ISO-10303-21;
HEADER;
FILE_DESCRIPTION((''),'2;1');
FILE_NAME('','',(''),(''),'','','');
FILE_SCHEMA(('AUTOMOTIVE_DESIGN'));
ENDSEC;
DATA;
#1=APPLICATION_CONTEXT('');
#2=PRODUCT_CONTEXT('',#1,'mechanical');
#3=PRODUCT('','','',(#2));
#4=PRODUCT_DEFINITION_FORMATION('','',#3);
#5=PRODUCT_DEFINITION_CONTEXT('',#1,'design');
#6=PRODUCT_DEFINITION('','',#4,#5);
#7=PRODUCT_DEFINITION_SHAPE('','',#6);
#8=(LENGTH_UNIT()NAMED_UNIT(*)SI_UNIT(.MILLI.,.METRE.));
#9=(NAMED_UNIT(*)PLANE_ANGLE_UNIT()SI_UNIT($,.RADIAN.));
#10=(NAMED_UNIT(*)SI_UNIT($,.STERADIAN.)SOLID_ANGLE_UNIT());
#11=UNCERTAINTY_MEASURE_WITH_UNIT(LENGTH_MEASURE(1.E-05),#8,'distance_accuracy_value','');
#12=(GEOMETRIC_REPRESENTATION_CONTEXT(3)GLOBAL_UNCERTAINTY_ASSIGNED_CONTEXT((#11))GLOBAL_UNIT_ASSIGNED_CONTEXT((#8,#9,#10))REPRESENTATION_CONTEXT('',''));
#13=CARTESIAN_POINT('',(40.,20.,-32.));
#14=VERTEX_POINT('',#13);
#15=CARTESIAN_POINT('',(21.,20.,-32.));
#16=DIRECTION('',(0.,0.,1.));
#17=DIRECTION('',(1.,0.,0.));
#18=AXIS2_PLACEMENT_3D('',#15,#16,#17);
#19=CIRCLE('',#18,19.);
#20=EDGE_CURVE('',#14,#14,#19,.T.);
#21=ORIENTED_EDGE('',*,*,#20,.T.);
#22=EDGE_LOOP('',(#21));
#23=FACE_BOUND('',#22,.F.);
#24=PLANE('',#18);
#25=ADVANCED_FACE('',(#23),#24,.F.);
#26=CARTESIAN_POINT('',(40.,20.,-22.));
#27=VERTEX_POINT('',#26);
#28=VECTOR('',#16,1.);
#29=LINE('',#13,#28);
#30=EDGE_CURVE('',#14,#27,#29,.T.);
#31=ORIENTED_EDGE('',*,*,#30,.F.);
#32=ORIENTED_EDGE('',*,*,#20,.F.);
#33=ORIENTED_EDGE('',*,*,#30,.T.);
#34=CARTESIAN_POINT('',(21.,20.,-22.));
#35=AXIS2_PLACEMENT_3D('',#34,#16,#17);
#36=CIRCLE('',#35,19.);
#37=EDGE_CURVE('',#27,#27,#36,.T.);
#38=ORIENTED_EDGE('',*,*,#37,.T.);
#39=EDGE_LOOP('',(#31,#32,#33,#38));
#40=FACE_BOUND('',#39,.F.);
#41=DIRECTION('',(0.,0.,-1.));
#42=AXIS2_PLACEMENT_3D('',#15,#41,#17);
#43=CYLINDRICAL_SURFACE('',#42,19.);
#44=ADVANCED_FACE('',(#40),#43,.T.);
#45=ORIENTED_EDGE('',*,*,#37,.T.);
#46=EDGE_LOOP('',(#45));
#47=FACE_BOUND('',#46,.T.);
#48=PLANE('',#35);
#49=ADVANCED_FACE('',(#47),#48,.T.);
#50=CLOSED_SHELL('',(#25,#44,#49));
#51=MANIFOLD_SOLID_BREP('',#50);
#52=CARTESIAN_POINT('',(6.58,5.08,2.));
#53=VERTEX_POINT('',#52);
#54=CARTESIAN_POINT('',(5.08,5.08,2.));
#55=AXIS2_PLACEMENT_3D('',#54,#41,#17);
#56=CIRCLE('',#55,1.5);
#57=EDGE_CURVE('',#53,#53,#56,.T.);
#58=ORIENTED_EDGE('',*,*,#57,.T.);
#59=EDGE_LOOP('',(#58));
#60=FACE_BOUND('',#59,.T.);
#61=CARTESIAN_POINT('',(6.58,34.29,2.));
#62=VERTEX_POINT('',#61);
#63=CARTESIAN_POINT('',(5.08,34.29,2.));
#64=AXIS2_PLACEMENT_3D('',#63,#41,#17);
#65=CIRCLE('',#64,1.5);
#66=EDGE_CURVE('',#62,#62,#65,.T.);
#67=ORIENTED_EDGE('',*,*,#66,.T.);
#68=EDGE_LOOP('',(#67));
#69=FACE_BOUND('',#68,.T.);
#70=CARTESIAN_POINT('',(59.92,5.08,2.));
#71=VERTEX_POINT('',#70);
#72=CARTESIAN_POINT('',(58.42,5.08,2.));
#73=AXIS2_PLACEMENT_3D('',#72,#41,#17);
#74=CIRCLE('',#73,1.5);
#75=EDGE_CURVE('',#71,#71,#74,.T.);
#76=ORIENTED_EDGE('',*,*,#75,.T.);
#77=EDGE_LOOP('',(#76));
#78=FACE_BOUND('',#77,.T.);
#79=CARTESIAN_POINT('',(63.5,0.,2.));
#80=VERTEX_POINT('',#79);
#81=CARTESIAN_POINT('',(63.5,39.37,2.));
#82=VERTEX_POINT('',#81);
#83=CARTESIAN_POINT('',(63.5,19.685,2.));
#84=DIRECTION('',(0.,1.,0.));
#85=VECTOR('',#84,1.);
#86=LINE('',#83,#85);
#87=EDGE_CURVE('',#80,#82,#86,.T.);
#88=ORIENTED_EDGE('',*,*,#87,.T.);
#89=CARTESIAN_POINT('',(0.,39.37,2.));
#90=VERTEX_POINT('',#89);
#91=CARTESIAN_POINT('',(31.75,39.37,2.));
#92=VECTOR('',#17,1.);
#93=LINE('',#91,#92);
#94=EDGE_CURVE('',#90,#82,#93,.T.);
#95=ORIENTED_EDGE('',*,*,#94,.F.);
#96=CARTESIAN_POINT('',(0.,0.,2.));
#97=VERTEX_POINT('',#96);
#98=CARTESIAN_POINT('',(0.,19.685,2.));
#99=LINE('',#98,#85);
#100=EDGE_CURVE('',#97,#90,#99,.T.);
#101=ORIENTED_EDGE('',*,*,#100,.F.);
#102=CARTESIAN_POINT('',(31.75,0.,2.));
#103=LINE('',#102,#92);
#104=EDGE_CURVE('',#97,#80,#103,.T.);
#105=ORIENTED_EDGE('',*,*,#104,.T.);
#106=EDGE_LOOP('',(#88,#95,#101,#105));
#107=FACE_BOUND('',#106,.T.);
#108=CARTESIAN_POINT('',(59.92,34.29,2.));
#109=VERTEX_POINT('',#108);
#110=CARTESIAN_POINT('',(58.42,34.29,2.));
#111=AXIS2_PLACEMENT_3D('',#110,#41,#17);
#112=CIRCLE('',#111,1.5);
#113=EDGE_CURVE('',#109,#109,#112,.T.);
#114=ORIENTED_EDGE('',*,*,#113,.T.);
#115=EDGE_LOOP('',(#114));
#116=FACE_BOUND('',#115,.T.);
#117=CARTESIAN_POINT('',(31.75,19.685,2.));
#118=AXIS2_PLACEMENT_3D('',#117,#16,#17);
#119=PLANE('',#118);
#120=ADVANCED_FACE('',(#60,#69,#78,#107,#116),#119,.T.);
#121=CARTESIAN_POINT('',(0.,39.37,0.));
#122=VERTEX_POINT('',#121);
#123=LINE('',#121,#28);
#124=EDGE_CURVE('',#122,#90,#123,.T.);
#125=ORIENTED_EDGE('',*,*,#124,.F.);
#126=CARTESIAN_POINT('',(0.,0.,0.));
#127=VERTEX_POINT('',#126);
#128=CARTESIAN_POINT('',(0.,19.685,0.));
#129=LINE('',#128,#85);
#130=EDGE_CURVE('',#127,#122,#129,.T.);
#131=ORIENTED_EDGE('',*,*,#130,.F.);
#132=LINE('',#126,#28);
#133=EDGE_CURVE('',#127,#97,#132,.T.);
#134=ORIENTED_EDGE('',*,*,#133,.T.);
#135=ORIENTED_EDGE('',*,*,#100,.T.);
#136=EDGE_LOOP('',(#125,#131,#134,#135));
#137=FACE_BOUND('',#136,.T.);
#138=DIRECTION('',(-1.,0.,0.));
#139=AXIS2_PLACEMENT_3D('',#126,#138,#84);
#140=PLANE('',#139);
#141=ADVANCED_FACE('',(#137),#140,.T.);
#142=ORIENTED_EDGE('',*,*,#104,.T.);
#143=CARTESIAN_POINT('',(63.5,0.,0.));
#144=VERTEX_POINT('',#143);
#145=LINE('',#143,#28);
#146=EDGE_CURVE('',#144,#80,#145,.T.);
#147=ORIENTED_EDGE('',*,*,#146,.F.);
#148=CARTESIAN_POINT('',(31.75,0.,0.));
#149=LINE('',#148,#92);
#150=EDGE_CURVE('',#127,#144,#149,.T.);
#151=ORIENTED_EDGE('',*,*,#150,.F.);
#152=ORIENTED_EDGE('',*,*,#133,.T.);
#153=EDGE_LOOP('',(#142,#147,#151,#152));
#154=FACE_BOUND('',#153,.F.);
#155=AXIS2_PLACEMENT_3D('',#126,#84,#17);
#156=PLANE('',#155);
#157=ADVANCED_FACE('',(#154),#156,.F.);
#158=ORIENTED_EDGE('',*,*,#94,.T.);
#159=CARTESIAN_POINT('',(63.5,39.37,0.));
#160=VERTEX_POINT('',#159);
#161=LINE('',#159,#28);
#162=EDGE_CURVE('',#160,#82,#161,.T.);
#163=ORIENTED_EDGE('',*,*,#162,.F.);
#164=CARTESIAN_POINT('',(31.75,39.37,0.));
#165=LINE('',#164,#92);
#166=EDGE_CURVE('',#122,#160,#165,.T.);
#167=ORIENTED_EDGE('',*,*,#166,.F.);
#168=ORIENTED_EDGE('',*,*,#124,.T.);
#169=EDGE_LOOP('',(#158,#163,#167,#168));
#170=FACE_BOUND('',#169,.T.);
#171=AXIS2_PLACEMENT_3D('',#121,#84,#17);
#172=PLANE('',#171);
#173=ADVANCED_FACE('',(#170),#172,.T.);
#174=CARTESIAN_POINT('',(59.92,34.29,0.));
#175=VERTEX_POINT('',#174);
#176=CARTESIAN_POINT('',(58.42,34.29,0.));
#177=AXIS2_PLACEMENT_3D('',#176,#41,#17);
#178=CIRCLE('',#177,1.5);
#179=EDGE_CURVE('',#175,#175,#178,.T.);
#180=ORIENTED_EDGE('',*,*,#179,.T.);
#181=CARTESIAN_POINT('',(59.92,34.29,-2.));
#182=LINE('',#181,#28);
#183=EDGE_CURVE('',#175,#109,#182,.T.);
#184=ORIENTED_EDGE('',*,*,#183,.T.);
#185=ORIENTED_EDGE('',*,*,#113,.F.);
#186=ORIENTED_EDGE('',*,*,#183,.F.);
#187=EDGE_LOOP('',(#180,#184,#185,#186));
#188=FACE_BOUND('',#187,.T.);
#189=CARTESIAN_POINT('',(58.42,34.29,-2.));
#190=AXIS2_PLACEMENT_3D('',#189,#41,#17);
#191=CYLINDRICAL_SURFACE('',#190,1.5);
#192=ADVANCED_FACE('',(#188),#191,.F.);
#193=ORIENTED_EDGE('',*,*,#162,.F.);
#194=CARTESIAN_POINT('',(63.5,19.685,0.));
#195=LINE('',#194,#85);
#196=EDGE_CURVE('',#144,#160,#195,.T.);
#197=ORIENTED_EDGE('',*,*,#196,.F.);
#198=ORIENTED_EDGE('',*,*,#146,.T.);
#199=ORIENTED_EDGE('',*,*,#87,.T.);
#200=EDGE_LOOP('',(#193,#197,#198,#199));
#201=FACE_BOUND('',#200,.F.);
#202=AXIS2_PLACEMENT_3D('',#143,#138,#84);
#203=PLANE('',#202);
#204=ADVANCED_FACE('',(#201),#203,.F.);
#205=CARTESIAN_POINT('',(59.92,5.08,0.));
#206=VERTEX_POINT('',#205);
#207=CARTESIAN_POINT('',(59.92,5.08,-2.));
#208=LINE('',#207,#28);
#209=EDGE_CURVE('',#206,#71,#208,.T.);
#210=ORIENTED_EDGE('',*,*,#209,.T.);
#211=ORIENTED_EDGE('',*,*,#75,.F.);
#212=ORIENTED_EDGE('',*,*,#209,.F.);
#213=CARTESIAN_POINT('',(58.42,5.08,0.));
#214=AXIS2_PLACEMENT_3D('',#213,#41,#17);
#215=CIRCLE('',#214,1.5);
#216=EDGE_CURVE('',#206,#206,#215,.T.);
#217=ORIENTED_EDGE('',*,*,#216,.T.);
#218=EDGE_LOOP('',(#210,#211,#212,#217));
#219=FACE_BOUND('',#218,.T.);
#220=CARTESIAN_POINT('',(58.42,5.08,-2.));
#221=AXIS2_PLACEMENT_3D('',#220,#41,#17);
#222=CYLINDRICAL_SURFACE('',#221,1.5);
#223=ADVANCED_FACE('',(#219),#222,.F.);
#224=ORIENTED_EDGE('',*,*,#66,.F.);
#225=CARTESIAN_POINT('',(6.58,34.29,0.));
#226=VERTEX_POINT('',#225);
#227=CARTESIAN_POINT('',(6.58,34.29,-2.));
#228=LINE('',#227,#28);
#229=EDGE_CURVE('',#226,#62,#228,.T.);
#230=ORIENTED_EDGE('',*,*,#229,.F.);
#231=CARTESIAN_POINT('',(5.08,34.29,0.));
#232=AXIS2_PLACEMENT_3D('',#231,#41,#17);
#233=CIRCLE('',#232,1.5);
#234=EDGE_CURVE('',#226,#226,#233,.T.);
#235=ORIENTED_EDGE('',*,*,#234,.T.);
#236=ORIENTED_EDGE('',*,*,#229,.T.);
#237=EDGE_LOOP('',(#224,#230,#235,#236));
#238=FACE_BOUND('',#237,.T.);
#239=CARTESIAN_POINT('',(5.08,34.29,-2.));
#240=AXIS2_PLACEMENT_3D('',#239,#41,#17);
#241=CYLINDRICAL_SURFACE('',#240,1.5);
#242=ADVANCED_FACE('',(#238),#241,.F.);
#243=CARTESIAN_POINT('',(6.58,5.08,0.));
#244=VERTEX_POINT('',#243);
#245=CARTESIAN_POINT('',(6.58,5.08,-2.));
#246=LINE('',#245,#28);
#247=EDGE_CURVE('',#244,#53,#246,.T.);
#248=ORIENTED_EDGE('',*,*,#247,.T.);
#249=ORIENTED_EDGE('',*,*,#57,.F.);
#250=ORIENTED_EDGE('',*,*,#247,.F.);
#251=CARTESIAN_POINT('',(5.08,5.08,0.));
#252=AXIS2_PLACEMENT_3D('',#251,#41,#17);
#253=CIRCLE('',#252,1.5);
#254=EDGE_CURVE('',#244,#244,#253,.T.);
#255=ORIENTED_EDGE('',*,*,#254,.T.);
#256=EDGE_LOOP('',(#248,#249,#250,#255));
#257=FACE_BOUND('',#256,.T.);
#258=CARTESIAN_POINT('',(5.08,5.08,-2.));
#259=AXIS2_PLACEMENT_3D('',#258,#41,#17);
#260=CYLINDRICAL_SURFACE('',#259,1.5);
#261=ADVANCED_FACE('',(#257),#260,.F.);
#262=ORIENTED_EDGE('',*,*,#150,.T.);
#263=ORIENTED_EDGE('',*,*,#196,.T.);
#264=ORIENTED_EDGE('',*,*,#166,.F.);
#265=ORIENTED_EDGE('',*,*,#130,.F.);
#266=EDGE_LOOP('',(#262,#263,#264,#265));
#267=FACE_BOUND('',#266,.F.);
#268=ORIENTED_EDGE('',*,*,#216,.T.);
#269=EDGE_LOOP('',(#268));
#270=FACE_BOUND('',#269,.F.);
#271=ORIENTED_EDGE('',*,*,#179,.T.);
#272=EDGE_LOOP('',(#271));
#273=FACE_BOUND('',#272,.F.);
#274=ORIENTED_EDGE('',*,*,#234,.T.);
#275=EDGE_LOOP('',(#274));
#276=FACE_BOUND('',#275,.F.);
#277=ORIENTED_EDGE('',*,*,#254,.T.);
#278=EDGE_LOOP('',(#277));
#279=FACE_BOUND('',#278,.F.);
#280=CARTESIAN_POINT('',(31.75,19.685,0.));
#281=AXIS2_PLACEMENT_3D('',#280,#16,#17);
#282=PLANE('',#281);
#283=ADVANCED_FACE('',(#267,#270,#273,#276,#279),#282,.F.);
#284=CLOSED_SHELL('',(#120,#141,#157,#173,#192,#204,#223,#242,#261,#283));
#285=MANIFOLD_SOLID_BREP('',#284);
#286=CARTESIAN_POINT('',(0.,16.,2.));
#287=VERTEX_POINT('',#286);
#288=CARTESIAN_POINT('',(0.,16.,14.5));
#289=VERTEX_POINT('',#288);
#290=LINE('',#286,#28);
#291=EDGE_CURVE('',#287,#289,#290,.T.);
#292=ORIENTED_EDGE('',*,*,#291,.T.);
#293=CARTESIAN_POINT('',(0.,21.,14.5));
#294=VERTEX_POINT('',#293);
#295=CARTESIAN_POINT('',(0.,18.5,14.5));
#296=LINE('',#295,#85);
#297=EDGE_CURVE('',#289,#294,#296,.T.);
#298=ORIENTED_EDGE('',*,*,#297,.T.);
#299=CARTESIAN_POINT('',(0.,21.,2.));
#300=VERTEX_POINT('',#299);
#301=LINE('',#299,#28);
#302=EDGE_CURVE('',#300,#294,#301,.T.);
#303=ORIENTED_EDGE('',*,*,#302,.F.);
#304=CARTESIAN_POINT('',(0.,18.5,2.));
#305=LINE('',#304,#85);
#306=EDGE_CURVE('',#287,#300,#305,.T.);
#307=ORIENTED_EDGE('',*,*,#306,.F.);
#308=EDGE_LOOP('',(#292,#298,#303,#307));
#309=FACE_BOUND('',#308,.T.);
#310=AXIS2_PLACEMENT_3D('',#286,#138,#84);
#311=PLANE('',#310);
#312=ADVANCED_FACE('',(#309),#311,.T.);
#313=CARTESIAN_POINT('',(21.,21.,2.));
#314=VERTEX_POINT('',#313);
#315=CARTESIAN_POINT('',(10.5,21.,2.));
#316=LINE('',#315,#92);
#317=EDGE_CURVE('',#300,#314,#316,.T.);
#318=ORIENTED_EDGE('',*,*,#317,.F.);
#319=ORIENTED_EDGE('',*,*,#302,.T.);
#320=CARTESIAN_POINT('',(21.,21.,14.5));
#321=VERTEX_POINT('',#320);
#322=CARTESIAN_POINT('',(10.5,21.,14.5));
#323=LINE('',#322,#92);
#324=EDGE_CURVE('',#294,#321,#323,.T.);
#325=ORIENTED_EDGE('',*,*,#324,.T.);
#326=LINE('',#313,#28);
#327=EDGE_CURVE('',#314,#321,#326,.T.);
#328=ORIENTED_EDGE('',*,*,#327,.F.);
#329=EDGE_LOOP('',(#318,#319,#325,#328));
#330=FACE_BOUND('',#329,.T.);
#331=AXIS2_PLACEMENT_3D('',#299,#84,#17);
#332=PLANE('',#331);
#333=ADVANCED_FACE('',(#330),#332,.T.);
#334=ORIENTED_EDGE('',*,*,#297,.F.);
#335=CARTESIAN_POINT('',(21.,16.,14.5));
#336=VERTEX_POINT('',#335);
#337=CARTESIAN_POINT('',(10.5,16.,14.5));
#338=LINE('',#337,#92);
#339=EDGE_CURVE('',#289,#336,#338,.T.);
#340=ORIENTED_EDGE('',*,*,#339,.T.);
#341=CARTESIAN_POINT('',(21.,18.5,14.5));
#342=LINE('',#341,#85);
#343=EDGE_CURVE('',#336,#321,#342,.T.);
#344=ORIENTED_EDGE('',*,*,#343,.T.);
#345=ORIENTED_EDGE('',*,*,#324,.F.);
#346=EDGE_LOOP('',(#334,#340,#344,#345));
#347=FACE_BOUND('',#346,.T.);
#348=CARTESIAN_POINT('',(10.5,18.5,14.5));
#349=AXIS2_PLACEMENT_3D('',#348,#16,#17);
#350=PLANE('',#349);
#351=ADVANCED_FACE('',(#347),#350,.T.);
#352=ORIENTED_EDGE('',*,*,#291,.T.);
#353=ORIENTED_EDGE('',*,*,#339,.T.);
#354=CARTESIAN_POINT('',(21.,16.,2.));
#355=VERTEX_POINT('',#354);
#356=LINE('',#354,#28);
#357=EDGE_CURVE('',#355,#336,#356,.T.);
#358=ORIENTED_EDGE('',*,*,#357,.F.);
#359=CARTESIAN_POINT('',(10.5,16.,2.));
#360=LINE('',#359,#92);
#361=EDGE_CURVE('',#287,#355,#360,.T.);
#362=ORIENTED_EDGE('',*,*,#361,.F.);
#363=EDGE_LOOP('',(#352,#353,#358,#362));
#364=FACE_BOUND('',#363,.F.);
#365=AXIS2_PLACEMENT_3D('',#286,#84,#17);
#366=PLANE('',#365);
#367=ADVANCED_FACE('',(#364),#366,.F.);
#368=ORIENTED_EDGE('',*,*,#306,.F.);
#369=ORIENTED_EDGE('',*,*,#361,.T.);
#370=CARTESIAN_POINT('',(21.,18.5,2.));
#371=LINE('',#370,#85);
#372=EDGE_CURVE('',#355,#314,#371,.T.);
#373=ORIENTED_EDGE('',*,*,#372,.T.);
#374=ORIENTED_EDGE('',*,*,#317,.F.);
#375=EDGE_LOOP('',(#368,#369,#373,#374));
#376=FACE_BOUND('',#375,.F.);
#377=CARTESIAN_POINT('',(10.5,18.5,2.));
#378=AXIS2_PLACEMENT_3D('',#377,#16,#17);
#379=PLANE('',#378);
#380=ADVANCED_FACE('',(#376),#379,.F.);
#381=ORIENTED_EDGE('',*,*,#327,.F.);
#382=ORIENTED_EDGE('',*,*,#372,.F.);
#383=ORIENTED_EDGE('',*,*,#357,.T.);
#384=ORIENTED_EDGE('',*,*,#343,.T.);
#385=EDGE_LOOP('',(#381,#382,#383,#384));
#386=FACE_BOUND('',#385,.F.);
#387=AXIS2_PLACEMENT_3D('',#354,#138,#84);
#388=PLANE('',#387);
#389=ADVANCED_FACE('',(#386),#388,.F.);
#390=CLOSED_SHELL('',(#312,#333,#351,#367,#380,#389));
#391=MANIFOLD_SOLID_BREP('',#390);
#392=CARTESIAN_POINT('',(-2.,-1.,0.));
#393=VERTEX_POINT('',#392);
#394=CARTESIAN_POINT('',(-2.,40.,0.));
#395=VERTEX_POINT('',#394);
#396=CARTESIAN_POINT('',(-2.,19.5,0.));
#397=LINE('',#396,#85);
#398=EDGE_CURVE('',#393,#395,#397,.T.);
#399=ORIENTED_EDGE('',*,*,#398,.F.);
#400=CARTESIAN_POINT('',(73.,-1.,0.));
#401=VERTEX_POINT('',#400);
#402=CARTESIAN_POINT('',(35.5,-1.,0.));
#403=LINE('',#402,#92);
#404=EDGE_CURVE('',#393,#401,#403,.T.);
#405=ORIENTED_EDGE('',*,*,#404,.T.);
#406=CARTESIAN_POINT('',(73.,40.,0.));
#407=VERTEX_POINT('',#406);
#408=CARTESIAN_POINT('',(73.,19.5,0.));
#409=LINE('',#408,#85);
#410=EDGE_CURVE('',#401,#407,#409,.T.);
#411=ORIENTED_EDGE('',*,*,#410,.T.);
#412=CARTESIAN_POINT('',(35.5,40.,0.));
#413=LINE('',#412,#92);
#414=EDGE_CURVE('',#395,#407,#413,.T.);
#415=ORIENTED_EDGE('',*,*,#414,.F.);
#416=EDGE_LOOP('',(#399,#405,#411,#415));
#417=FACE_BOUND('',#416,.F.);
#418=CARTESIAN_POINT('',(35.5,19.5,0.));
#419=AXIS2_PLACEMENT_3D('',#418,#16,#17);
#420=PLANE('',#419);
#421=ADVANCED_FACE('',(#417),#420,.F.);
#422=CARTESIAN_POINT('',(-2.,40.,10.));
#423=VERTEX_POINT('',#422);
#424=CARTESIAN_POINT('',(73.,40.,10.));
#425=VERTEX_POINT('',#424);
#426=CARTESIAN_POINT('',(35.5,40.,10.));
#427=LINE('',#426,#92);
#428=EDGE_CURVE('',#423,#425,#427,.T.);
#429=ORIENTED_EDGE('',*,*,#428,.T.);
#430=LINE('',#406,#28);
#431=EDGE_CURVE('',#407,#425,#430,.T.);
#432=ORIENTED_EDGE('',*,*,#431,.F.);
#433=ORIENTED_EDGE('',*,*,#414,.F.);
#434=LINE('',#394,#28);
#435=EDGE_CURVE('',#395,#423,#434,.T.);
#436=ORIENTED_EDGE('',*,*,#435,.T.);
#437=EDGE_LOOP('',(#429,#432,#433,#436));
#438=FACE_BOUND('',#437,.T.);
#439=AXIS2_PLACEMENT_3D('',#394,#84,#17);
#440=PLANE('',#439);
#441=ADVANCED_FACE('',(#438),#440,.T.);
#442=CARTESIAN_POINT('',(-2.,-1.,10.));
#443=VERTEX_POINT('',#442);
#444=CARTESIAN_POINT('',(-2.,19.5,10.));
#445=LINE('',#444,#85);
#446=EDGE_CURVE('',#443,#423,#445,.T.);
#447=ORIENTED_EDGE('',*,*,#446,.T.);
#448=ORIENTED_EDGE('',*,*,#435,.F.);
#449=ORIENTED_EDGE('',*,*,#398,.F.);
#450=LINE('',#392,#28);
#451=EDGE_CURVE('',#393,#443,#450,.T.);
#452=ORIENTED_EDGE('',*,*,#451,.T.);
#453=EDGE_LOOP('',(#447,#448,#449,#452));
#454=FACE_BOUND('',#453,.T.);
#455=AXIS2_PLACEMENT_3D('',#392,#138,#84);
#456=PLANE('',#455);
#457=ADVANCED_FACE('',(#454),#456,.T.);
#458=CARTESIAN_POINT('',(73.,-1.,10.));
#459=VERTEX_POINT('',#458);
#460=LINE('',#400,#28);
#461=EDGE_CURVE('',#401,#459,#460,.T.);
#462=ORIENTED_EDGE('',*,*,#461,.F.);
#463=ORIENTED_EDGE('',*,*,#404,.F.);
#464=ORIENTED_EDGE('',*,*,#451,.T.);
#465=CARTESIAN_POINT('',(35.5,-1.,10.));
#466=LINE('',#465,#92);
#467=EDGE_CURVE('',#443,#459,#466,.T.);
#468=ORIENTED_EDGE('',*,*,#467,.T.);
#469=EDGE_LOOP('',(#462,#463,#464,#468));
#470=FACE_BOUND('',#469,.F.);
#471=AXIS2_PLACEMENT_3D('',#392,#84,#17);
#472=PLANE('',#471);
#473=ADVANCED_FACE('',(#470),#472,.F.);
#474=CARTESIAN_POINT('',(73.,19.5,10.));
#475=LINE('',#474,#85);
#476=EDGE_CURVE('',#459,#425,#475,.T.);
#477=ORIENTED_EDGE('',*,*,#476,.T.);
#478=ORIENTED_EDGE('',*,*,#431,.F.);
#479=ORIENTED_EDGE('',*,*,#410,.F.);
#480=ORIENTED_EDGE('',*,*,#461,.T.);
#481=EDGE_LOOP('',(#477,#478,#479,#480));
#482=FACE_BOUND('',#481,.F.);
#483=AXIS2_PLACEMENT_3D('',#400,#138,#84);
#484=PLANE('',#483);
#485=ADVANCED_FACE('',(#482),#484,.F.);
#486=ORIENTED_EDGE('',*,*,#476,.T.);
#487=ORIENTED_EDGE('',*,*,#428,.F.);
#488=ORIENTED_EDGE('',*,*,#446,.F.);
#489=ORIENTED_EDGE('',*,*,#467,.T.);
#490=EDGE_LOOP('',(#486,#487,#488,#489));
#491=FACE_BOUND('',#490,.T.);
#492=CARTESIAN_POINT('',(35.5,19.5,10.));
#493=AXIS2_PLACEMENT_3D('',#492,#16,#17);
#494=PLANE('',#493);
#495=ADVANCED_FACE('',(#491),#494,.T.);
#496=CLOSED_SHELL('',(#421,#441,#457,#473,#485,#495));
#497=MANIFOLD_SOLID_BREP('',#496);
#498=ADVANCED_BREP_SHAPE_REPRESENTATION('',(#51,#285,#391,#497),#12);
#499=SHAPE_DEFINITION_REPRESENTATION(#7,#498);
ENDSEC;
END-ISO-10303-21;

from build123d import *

# Parameters (mm, degrees)
BOX001_W          = 21
BOX001_H          = 5
BOX001_DEPTH      = 12.5
CYLINDER003_R     = 1.5
CYLINDER003_DEPTH = 10
CYLINDER001_R     = 1.5
CYLINDER001_DEPTH = 10
CYLINDER002_R     = 1.5
CYLINDER002_DEPTH = 10
CYLINDER_R        = 1.5
CYLINDER_DEPTH    = 10
BOX_W             = 63.5
BOX_H             = 39.37
BOX_DEPTH         = 2
BOX002_W          = 75
BOX002_H          = 41
BOX002_DEPTH      = 10
CYLINDER004_R     = 19
CYLINDER004_DEPTH = 10


with BuildPart() as cube001:
    # Box001 → Box001 (new body)
    with BuildSketch(Plane(origin=(0, 16, 2), x_dir=(1, 0, 0), z_dir=(0, 0, 1))):
        with Locations((10.5, 2.5)):
            Rectangle(BOX001_W, BOX001_H)
    extrude(amount=BOX001_DEPTH)


with BuildPart() as cylinder003:
    # Cylinder003 → Cylinder003 (new body)
    with BuildSketch(Plane(origin=(58.42, 34.29, -2), x_dir=(1, 0, 0), z_dir=(0, 0, 1))):
        Circle(CYLINDER003_R)
    extrude(amount=CYLINDER003_DEPTH)


with BuildPart() as fusion001:
    # Cylinder001 → Cylinder001 (new body)
    with BuildSketch(Plane(origin=(5.08, 34.29, -2), x_dir=(1, 0, 0), z_dir=(0, 0, 1))):
        Circle(CYLINDER001_R)
    extrude(amount=CYLINDER001_DEPTH)

    # Fusion001: union Cylinder003
    add(cylinder003.part)


with BuildPart() as cylinder002:
    # Cylinder002 → Cylinder002 (new body)
    with BuildSketch(Plane(origin=(58.42, 5.08, -2), x_dir=(1, 0, 0), z_dir=(0, 0, 1))):
        Circle(CYLINDER002_R)
    extrude(amount=CYLINDER002_DEPTH)


with BuildPart() as fusion002:
    # Cylinder → Cylinder (new body)
    with BuildSketch(Plane(origin=(5.08, 5.08, -2), x_dir=(1, 0, 0), z_dir=(0, 0, 1))):
        Circle(CYLINDER_R)
    extrude(amount=CYLINDER_DEPTH)

    # Fusion: union Cylinder002
    add(cylinder002.part)

    # Fusion002: union Fusion001
    add(fusion001.part)


with BuildPart() as cut:
    # Box → Box (new body)
    with BuildSketch(Plane.XY):
        with Locations((31.75, 19.685)):
            Rectangle(BOX_W, BOX_H)
    extrude(amount=BOX_DEPTH)

    # Cut: cut Fusion002
    add(fusion002.part, mode=Mode.SUBTRACT)


with BuildPart() as cube002:
    # Box002 → Box002 (new body)
    with BuildSketch(Plane(origin=(-2, -1, 0), x_dir=(1, 0, 0), z_dir=(0, 0, 1))):
        with Locations((37.5, 20.5)):
            Rectangle(BOX002_W, BOX002_H)
    extrude(amount=BOX002_DEPTH)


with BuildPart() as cylinder004:
    # Cylinder004 → Cylinder004 (new body)
    with BuildSketch(Plane(origin=(21, 20, -32), x_dir=(1, 0, 0), z_dir=(0, 0, 1))):
        Circle(CYLINDER004_R)
    extrude(amount=CYLINDER004_DEPTH)


solid = Compound([cube001.part, cut.part, cube002.part, cylinder004.part])
